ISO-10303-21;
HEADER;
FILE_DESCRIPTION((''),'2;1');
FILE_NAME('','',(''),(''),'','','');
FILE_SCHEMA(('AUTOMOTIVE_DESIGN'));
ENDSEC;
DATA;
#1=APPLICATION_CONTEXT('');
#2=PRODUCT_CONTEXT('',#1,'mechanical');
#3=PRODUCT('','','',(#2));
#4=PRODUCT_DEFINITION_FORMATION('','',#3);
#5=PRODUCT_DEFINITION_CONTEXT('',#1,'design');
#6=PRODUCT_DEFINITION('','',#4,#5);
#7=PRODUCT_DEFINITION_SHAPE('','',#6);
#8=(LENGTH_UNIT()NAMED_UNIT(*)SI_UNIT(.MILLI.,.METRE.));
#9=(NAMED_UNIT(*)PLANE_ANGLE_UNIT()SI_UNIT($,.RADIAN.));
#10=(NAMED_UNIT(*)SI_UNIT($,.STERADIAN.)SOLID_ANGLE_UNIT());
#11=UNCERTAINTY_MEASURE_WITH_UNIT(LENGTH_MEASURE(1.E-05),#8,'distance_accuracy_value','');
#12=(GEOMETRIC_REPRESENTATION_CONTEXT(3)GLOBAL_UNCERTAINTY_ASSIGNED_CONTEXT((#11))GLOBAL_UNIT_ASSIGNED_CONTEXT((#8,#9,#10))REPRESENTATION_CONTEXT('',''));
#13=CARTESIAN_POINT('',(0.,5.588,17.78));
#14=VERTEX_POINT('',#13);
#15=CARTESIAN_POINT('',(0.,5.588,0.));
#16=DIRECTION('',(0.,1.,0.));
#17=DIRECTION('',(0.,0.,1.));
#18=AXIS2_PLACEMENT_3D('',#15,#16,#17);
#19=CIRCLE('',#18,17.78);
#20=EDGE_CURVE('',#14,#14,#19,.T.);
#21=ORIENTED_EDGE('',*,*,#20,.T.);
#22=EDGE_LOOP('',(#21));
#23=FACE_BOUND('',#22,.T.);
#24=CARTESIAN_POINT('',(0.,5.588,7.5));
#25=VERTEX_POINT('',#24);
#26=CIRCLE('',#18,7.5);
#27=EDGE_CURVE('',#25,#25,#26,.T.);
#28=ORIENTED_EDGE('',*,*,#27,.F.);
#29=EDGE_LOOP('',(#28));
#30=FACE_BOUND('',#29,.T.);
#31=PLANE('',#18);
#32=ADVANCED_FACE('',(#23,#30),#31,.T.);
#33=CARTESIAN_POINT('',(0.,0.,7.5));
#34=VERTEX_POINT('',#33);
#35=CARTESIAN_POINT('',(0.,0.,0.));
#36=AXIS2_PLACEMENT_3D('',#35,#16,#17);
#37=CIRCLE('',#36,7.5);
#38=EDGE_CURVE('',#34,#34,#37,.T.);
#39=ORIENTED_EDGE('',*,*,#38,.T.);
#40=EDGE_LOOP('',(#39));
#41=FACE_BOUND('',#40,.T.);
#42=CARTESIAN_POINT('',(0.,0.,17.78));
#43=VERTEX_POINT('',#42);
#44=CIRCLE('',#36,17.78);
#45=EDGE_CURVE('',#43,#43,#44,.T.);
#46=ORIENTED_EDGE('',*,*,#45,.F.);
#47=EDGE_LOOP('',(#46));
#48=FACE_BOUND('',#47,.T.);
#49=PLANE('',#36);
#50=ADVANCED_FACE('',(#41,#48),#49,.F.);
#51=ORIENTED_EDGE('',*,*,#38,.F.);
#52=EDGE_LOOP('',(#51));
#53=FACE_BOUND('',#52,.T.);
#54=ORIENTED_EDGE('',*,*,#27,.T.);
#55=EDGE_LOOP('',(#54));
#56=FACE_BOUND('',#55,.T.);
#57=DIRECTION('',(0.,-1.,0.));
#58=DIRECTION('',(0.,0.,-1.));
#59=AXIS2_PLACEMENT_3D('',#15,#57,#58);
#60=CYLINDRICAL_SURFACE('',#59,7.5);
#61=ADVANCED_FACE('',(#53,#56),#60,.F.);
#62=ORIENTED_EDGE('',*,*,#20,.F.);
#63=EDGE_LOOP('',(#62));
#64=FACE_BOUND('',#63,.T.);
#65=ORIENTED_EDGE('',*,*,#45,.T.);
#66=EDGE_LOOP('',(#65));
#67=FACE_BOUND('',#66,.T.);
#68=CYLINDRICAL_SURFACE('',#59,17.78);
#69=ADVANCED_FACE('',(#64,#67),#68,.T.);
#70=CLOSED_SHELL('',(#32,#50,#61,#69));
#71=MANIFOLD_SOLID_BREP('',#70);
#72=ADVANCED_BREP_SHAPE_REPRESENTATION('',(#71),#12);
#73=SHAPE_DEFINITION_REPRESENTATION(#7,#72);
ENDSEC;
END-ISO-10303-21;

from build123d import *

# Parameters (mm, degrees)
SKETCH1_R           = 17.78
SKETCH1_R_2         = 7.5
BOSS_EXTRUDE1_DEPTH = 5.588


with BuildPart() as part:
    # Sketch1 → Boss-Extrude1 (new body)
    with BuildSketch(Plane(origin=(0, 0, 0), x_dir=(1, 0, 0), z_dir=(0, 1, 0))):
        Circle(SKETCH1_R)
        Circle(SKETCH1_R_2, mode=Mode.SUBTRACT)
    extrude(amount=BOSS_EXTRUDE1_DEPTH)


solid = part.part
